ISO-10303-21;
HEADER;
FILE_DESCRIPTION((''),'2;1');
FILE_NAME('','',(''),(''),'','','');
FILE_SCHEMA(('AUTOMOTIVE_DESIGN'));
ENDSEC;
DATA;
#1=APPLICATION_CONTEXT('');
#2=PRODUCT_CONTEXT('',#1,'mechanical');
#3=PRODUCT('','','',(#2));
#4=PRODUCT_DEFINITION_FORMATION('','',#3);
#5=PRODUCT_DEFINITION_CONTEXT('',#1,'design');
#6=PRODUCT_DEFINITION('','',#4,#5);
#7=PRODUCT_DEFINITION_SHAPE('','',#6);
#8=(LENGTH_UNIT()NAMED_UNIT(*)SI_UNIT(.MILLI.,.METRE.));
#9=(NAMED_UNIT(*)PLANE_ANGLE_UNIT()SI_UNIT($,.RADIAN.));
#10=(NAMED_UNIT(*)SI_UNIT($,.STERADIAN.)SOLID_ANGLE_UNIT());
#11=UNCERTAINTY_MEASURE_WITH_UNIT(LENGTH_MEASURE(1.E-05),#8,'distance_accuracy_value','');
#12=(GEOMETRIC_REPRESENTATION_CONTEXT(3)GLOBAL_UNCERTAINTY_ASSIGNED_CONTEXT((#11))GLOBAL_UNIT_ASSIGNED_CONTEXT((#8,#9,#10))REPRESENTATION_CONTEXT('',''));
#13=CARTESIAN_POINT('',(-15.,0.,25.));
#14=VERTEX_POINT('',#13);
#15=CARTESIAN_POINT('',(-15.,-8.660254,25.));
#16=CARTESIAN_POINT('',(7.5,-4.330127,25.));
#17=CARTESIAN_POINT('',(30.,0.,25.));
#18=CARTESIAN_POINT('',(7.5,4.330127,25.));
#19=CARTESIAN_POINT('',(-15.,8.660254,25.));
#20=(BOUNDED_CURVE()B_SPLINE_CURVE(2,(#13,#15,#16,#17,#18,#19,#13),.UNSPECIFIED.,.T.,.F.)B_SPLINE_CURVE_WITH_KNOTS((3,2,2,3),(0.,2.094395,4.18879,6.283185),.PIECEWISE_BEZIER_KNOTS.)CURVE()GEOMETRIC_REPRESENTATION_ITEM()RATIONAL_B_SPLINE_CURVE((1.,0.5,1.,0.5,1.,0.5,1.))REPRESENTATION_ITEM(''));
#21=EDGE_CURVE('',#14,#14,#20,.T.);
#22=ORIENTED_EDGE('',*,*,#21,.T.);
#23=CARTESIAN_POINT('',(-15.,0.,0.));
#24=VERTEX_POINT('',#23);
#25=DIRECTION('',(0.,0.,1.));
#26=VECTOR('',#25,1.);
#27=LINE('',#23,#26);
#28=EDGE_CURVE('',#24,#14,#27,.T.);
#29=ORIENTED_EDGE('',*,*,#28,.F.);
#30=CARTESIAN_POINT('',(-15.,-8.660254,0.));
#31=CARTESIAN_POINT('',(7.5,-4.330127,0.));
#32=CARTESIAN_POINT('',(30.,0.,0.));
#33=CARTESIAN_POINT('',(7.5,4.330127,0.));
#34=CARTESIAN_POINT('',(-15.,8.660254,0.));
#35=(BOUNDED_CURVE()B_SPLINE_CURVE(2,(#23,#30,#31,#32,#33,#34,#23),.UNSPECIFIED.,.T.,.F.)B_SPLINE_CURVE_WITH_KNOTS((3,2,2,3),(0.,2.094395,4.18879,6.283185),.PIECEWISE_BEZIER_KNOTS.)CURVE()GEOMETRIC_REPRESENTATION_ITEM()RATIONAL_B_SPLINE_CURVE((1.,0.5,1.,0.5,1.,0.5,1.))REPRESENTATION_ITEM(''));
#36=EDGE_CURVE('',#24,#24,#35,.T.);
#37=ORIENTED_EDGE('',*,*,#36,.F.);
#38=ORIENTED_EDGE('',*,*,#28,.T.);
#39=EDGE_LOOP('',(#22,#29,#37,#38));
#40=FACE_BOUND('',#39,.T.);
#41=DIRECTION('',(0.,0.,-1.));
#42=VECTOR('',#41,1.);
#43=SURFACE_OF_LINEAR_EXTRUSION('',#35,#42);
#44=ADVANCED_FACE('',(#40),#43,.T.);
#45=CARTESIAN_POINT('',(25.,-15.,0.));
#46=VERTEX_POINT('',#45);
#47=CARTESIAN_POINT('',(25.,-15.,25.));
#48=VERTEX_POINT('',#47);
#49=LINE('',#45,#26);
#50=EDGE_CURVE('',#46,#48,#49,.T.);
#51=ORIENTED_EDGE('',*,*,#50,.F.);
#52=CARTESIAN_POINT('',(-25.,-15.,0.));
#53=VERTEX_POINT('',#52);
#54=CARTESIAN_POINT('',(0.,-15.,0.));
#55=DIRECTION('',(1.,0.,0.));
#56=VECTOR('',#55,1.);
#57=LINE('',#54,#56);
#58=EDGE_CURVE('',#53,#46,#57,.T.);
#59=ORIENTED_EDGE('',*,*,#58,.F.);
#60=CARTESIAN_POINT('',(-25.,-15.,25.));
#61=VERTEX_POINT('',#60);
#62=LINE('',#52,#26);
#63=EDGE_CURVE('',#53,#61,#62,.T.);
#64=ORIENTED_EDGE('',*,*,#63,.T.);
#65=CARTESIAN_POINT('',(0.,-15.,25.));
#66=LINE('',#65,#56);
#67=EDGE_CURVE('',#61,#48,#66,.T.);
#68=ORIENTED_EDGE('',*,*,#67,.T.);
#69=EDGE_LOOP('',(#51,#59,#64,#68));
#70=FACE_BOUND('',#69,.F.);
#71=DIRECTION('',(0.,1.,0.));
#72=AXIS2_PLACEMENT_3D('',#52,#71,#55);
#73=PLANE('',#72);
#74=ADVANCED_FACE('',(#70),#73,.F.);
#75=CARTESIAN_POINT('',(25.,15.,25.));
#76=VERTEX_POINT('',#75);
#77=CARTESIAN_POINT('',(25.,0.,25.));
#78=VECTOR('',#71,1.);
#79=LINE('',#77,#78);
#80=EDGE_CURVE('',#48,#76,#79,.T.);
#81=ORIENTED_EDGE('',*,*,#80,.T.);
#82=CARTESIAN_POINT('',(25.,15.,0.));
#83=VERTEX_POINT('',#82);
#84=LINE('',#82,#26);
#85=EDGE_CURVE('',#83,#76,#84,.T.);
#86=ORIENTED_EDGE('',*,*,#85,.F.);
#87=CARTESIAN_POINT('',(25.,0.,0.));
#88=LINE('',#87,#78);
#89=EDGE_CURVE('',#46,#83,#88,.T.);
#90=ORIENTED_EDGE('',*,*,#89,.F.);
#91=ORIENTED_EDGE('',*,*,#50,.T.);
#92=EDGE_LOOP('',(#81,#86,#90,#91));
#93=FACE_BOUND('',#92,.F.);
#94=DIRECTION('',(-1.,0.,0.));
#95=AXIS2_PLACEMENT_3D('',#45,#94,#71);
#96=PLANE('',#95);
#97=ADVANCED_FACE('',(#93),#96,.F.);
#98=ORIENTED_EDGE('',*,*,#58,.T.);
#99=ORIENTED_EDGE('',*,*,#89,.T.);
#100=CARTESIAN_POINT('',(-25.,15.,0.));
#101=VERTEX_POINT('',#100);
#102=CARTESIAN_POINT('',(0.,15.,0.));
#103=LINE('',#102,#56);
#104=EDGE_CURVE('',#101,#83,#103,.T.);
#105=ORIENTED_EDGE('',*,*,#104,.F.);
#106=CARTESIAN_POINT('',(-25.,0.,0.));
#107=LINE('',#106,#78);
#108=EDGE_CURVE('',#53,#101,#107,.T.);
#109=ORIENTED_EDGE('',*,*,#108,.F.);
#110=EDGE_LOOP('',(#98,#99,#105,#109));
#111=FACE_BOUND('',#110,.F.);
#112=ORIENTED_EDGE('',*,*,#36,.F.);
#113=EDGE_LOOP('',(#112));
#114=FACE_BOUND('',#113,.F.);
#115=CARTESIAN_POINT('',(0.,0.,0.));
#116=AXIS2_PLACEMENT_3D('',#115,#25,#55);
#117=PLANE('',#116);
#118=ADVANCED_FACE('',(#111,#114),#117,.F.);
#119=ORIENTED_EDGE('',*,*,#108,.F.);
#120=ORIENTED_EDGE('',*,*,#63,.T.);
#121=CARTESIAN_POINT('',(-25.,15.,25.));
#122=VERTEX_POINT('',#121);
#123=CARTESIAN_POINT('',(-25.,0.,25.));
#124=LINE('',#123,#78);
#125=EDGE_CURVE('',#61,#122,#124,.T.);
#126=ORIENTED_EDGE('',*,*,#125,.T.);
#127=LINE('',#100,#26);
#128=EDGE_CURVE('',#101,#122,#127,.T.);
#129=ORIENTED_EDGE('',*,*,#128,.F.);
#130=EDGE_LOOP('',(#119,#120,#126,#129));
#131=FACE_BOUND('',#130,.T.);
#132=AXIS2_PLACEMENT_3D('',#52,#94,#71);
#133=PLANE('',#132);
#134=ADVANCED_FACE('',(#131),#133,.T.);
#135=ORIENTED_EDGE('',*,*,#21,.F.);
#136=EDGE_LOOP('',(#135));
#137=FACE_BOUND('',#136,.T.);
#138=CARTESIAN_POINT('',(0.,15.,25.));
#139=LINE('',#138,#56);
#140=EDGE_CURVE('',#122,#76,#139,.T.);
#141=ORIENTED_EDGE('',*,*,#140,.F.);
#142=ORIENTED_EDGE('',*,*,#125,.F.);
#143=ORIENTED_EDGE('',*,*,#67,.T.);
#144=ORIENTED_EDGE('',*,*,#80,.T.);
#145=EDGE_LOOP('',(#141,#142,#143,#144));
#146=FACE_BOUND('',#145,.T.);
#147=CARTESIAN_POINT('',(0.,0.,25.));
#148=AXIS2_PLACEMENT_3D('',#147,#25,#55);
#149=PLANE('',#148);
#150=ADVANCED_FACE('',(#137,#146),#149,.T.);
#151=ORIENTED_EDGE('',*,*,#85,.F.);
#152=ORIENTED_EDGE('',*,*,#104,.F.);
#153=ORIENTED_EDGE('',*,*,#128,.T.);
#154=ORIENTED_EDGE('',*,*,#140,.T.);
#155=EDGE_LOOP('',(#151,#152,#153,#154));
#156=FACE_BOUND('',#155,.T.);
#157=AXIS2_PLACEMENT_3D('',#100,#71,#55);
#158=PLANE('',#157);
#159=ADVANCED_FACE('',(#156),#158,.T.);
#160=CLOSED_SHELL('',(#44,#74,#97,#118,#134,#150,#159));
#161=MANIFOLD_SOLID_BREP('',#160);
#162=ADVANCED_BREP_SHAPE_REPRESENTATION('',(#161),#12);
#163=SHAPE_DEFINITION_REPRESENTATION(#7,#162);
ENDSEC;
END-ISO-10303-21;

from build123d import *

# Parameters (mm, degrees)
F0_W     = 50
F0_H     = 30
F1_DEPTH = 25


with BuildPart() as f1:
    # F0 (on Top) → F1 (new body)
    with BuildSketch(Plane.XY):
        Rectangle(F0_W, F0_H)
        with BuildLine():
            add(Edge.make_bspline(
                [(-15, 0), (-15, -8.660254), (7.5, -4.330127), (30, 0), (7.5, 4.330127), (-15, 8.660254), (-15, 0)],
                knots=[0, 0, 0, 2.094395, 2.094395, 4.18879, 4.18879, 6.283185, 6.283185, 6.283185], degree=2, weights=[1, 0.5, 1, 0.5, 1, 0.5, 1]))
        make_face(mode=Mode.SUBTRACT)
    extrude(amount=F1_DEPTH)


solid = f1.part
